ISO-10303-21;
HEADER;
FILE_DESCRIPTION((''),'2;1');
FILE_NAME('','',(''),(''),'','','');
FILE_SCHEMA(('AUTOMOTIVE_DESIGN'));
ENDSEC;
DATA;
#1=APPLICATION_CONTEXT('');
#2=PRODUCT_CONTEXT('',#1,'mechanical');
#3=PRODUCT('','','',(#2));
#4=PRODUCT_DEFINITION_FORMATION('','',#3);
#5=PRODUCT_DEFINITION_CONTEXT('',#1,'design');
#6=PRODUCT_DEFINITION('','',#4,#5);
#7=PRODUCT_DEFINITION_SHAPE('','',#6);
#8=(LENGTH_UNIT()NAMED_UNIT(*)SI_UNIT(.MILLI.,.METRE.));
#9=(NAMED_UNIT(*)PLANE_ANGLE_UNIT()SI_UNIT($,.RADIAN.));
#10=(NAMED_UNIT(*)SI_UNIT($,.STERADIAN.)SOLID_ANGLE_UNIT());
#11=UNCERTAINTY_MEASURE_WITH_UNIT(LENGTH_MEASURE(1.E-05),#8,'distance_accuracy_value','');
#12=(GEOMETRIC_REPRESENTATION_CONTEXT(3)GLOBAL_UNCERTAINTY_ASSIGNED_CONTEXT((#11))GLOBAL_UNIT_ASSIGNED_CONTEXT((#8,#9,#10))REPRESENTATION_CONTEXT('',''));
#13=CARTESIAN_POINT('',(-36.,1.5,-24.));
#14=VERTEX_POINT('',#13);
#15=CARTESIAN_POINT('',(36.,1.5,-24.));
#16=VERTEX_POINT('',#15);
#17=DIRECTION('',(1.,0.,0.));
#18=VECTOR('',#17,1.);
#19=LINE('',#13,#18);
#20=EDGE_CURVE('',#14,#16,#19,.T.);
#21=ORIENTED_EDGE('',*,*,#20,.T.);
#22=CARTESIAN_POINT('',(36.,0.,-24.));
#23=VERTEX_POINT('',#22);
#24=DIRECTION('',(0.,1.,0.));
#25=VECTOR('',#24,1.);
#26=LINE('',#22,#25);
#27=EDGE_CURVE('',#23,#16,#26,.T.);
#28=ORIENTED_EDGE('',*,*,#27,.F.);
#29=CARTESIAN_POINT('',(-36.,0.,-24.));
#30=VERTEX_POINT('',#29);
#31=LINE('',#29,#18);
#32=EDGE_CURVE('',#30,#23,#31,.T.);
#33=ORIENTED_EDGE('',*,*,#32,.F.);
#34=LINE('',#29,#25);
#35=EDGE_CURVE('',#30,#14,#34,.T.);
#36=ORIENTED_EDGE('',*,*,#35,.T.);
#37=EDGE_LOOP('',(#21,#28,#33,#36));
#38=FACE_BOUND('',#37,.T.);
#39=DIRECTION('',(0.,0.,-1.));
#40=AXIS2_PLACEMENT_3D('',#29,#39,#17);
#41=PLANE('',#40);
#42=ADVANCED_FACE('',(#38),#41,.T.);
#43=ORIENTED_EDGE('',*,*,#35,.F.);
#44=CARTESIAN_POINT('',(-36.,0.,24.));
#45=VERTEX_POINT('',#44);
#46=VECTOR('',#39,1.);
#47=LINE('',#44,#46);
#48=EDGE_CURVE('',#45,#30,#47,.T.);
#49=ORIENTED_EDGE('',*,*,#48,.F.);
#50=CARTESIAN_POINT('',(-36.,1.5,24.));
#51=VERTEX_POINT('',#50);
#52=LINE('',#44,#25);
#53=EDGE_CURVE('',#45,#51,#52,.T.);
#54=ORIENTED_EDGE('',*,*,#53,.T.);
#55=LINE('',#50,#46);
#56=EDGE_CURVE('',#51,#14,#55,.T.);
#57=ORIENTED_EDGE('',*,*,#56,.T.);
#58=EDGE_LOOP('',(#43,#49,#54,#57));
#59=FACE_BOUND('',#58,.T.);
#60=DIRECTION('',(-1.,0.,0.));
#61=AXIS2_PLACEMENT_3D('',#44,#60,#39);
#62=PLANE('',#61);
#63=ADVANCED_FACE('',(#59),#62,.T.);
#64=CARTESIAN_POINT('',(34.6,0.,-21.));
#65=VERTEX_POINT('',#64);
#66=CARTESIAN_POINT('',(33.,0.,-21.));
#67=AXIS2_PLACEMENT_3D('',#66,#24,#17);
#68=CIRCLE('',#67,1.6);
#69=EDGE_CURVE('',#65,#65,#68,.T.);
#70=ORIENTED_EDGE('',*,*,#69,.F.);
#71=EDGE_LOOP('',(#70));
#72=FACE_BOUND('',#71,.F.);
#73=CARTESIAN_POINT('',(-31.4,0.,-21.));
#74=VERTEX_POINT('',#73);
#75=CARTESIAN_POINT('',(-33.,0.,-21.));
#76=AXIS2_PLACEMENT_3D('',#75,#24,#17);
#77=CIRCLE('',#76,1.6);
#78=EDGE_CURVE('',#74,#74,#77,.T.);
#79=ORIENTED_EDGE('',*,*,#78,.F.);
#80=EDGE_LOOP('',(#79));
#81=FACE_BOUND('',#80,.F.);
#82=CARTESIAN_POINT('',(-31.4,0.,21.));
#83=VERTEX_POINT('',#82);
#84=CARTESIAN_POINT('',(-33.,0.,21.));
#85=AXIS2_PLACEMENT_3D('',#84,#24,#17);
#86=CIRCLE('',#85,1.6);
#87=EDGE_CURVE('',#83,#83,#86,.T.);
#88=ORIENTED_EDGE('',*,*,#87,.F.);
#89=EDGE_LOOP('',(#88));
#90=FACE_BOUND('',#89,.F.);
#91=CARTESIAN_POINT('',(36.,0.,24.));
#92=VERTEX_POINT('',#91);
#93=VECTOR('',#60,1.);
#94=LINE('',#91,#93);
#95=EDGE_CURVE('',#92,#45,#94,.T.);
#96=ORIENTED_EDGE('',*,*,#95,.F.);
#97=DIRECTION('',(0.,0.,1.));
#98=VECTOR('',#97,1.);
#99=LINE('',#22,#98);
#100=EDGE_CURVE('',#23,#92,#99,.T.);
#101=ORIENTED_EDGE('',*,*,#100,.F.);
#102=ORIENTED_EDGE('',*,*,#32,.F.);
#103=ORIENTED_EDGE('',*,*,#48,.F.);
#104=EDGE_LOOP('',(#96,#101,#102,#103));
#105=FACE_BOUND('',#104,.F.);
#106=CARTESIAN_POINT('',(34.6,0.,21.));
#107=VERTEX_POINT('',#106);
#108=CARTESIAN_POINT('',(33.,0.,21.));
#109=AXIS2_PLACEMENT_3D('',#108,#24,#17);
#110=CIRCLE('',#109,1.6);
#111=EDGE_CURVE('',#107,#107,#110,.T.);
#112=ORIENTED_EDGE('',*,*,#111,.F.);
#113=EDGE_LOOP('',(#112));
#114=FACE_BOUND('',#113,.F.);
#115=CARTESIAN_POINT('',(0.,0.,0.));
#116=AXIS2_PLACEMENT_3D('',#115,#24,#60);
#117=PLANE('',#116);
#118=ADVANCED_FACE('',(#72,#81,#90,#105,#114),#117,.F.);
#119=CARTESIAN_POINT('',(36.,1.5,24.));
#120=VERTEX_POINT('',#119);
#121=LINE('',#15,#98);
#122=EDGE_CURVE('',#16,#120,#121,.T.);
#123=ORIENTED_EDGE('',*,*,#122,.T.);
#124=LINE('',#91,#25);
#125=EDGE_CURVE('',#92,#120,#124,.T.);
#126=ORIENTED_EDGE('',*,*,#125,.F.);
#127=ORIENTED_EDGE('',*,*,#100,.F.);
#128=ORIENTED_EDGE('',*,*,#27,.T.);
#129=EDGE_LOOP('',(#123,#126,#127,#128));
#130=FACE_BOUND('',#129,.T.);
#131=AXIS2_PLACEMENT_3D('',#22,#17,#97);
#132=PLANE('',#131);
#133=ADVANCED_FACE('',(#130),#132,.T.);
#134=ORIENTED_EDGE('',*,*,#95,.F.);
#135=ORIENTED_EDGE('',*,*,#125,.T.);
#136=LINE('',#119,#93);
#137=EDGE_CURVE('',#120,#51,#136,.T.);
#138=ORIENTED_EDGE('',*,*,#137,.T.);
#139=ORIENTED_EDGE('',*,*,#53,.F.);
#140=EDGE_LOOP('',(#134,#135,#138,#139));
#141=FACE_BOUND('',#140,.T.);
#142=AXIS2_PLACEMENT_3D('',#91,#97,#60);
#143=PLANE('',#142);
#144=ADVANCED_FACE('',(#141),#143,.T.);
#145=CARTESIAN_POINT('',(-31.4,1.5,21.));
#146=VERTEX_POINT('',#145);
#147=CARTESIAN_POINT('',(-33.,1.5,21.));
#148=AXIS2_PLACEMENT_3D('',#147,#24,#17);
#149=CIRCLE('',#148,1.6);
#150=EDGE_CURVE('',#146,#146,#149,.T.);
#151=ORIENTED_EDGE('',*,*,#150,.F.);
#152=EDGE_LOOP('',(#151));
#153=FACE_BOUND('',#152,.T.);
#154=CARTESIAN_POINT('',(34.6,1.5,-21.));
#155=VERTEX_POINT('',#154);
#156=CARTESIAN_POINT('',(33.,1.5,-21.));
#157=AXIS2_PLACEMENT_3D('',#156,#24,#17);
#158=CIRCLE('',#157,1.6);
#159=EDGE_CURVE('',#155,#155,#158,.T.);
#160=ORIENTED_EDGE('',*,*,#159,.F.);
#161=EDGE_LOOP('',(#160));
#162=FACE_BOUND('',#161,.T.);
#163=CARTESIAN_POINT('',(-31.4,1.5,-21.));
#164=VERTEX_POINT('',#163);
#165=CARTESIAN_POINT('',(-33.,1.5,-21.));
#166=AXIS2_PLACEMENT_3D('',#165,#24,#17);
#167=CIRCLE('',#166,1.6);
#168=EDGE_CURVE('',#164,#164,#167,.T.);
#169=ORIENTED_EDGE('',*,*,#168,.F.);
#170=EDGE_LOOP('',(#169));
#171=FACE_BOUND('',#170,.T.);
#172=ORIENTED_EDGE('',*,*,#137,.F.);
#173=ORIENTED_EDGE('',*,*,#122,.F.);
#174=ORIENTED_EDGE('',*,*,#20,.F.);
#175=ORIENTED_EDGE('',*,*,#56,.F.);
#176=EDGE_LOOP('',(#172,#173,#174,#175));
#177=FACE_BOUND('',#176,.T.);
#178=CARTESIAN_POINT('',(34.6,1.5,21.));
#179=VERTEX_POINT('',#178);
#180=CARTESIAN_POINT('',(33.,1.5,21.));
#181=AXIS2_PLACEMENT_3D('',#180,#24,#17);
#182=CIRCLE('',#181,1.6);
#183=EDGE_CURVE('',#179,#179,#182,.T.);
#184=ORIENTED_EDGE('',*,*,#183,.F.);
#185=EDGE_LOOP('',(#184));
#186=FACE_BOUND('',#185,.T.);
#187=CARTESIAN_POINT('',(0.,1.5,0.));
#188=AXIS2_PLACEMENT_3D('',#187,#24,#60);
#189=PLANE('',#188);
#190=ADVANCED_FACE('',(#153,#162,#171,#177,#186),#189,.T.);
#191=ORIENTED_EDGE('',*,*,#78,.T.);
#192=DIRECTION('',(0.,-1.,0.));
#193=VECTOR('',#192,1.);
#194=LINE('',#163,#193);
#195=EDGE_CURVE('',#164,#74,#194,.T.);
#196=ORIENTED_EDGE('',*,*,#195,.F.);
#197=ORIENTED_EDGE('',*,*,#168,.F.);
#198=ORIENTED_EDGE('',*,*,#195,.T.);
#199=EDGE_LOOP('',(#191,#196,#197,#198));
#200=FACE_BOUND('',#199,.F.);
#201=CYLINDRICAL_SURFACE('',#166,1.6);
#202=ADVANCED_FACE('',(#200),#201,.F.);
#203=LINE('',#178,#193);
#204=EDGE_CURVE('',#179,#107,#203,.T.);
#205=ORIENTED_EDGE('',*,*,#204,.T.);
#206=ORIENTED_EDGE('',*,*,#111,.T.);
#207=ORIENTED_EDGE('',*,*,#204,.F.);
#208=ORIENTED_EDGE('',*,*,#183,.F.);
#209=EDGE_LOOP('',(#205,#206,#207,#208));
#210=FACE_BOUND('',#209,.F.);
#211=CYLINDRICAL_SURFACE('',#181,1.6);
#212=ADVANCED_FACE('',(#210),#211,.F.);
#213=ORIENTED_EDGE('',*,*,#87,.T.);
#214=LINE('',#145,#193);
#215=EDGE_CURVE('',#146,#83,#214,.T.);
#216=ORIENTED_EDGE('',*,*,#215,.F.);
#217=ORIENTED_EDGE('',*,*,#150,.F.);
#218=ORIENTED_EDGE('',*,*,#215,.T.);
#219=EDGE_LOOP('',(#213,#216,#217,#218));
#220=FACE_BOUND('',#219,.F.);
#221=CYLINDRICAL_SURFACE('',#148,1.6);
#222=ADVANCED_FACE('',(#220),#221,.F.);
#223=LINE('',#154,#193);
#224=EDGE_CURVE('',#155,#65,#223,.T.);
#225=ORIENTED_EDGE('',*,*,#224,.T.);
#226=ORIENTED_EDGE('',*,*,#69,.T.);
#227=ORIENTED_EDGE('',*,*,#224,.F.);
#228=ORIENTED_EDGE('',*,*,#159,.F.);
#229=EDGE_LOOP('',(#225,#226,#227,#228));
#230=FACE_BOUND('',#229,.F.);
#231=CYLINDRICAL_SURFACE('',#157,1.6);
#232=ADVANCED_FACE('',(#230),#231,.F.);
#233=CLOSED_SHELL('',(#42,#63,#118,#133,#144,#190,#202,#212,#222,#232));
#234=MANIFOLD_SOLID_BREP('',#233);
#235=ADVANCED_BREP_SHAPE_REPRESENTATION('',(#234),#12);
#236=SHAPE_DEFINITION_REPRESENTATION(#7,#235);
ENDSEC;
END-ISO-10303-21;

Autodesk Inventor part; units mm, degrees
ref_plane "YZ Plane" through (0, 0, 0) normal (1, 0, 0) x (0, 1, 0)
ref_plane "XZ Plane" through (0, 0, 0) normal (0, 1, 0) x (-1, 0, 0)
ref_plane "XY Plane" through (0, 0, 0) normal (0, 0, 1) x (1, 0, 0)
sketch "スケッチ1" plane through (0, 0, 0) normal (0, 1, 0) x (-1, 0, 0)
  line L0 (-36, 24) -> (36, 24)
  line L1 (36, 24) -> (36, -24)
  line L2 (36, -24) -> (-36, -24)
  line L3 (-36, -24) -> (-36, 24)
  point P0 (0, 0)
  dimension "d0" = 72
  dimension "d2" = 48
  dimension "d3" = 24
  dimension "d4" = 36
extrude "押し出し1" add sketch "スケッチ1" along normal blind 1.5
sketch "スケッチ2" plane through (0, 1.5, 0) normal (0, 1, 0) x (1, 0, 0)
  line L0 (-36, -24) -> (36, -24) projected
  line L1 (36, -24) -> (36, 24) projected
  line L2 (36, 24) -> (-36, 24) projected
  line L3 (-36, 24) -> (-36, -24) projected
  circle A0 centre (-33, 21) radius 1.6
  circle A1 centre (-33, -21) radius 1.6
  circle A2 centre (33, -21) radius 1.6
  circle A3 centre (33, 21) radius 1.6
  point P0 (0, 0)
  dimension "d7" = 3.2
  dimension "d9" = 42
  dimension "d10" = 66
  dimension "d11" = 66
  dimension "d12" = 42
  dimension "d13" = 3
  dimension "d14" = 3
  dimension "d15" = 3
  dimension "d16" = 3
extrude "押し出し2" cut sketch "スケッチ2" against normal blind 1.5 keep common part
properties part number "circuit"
